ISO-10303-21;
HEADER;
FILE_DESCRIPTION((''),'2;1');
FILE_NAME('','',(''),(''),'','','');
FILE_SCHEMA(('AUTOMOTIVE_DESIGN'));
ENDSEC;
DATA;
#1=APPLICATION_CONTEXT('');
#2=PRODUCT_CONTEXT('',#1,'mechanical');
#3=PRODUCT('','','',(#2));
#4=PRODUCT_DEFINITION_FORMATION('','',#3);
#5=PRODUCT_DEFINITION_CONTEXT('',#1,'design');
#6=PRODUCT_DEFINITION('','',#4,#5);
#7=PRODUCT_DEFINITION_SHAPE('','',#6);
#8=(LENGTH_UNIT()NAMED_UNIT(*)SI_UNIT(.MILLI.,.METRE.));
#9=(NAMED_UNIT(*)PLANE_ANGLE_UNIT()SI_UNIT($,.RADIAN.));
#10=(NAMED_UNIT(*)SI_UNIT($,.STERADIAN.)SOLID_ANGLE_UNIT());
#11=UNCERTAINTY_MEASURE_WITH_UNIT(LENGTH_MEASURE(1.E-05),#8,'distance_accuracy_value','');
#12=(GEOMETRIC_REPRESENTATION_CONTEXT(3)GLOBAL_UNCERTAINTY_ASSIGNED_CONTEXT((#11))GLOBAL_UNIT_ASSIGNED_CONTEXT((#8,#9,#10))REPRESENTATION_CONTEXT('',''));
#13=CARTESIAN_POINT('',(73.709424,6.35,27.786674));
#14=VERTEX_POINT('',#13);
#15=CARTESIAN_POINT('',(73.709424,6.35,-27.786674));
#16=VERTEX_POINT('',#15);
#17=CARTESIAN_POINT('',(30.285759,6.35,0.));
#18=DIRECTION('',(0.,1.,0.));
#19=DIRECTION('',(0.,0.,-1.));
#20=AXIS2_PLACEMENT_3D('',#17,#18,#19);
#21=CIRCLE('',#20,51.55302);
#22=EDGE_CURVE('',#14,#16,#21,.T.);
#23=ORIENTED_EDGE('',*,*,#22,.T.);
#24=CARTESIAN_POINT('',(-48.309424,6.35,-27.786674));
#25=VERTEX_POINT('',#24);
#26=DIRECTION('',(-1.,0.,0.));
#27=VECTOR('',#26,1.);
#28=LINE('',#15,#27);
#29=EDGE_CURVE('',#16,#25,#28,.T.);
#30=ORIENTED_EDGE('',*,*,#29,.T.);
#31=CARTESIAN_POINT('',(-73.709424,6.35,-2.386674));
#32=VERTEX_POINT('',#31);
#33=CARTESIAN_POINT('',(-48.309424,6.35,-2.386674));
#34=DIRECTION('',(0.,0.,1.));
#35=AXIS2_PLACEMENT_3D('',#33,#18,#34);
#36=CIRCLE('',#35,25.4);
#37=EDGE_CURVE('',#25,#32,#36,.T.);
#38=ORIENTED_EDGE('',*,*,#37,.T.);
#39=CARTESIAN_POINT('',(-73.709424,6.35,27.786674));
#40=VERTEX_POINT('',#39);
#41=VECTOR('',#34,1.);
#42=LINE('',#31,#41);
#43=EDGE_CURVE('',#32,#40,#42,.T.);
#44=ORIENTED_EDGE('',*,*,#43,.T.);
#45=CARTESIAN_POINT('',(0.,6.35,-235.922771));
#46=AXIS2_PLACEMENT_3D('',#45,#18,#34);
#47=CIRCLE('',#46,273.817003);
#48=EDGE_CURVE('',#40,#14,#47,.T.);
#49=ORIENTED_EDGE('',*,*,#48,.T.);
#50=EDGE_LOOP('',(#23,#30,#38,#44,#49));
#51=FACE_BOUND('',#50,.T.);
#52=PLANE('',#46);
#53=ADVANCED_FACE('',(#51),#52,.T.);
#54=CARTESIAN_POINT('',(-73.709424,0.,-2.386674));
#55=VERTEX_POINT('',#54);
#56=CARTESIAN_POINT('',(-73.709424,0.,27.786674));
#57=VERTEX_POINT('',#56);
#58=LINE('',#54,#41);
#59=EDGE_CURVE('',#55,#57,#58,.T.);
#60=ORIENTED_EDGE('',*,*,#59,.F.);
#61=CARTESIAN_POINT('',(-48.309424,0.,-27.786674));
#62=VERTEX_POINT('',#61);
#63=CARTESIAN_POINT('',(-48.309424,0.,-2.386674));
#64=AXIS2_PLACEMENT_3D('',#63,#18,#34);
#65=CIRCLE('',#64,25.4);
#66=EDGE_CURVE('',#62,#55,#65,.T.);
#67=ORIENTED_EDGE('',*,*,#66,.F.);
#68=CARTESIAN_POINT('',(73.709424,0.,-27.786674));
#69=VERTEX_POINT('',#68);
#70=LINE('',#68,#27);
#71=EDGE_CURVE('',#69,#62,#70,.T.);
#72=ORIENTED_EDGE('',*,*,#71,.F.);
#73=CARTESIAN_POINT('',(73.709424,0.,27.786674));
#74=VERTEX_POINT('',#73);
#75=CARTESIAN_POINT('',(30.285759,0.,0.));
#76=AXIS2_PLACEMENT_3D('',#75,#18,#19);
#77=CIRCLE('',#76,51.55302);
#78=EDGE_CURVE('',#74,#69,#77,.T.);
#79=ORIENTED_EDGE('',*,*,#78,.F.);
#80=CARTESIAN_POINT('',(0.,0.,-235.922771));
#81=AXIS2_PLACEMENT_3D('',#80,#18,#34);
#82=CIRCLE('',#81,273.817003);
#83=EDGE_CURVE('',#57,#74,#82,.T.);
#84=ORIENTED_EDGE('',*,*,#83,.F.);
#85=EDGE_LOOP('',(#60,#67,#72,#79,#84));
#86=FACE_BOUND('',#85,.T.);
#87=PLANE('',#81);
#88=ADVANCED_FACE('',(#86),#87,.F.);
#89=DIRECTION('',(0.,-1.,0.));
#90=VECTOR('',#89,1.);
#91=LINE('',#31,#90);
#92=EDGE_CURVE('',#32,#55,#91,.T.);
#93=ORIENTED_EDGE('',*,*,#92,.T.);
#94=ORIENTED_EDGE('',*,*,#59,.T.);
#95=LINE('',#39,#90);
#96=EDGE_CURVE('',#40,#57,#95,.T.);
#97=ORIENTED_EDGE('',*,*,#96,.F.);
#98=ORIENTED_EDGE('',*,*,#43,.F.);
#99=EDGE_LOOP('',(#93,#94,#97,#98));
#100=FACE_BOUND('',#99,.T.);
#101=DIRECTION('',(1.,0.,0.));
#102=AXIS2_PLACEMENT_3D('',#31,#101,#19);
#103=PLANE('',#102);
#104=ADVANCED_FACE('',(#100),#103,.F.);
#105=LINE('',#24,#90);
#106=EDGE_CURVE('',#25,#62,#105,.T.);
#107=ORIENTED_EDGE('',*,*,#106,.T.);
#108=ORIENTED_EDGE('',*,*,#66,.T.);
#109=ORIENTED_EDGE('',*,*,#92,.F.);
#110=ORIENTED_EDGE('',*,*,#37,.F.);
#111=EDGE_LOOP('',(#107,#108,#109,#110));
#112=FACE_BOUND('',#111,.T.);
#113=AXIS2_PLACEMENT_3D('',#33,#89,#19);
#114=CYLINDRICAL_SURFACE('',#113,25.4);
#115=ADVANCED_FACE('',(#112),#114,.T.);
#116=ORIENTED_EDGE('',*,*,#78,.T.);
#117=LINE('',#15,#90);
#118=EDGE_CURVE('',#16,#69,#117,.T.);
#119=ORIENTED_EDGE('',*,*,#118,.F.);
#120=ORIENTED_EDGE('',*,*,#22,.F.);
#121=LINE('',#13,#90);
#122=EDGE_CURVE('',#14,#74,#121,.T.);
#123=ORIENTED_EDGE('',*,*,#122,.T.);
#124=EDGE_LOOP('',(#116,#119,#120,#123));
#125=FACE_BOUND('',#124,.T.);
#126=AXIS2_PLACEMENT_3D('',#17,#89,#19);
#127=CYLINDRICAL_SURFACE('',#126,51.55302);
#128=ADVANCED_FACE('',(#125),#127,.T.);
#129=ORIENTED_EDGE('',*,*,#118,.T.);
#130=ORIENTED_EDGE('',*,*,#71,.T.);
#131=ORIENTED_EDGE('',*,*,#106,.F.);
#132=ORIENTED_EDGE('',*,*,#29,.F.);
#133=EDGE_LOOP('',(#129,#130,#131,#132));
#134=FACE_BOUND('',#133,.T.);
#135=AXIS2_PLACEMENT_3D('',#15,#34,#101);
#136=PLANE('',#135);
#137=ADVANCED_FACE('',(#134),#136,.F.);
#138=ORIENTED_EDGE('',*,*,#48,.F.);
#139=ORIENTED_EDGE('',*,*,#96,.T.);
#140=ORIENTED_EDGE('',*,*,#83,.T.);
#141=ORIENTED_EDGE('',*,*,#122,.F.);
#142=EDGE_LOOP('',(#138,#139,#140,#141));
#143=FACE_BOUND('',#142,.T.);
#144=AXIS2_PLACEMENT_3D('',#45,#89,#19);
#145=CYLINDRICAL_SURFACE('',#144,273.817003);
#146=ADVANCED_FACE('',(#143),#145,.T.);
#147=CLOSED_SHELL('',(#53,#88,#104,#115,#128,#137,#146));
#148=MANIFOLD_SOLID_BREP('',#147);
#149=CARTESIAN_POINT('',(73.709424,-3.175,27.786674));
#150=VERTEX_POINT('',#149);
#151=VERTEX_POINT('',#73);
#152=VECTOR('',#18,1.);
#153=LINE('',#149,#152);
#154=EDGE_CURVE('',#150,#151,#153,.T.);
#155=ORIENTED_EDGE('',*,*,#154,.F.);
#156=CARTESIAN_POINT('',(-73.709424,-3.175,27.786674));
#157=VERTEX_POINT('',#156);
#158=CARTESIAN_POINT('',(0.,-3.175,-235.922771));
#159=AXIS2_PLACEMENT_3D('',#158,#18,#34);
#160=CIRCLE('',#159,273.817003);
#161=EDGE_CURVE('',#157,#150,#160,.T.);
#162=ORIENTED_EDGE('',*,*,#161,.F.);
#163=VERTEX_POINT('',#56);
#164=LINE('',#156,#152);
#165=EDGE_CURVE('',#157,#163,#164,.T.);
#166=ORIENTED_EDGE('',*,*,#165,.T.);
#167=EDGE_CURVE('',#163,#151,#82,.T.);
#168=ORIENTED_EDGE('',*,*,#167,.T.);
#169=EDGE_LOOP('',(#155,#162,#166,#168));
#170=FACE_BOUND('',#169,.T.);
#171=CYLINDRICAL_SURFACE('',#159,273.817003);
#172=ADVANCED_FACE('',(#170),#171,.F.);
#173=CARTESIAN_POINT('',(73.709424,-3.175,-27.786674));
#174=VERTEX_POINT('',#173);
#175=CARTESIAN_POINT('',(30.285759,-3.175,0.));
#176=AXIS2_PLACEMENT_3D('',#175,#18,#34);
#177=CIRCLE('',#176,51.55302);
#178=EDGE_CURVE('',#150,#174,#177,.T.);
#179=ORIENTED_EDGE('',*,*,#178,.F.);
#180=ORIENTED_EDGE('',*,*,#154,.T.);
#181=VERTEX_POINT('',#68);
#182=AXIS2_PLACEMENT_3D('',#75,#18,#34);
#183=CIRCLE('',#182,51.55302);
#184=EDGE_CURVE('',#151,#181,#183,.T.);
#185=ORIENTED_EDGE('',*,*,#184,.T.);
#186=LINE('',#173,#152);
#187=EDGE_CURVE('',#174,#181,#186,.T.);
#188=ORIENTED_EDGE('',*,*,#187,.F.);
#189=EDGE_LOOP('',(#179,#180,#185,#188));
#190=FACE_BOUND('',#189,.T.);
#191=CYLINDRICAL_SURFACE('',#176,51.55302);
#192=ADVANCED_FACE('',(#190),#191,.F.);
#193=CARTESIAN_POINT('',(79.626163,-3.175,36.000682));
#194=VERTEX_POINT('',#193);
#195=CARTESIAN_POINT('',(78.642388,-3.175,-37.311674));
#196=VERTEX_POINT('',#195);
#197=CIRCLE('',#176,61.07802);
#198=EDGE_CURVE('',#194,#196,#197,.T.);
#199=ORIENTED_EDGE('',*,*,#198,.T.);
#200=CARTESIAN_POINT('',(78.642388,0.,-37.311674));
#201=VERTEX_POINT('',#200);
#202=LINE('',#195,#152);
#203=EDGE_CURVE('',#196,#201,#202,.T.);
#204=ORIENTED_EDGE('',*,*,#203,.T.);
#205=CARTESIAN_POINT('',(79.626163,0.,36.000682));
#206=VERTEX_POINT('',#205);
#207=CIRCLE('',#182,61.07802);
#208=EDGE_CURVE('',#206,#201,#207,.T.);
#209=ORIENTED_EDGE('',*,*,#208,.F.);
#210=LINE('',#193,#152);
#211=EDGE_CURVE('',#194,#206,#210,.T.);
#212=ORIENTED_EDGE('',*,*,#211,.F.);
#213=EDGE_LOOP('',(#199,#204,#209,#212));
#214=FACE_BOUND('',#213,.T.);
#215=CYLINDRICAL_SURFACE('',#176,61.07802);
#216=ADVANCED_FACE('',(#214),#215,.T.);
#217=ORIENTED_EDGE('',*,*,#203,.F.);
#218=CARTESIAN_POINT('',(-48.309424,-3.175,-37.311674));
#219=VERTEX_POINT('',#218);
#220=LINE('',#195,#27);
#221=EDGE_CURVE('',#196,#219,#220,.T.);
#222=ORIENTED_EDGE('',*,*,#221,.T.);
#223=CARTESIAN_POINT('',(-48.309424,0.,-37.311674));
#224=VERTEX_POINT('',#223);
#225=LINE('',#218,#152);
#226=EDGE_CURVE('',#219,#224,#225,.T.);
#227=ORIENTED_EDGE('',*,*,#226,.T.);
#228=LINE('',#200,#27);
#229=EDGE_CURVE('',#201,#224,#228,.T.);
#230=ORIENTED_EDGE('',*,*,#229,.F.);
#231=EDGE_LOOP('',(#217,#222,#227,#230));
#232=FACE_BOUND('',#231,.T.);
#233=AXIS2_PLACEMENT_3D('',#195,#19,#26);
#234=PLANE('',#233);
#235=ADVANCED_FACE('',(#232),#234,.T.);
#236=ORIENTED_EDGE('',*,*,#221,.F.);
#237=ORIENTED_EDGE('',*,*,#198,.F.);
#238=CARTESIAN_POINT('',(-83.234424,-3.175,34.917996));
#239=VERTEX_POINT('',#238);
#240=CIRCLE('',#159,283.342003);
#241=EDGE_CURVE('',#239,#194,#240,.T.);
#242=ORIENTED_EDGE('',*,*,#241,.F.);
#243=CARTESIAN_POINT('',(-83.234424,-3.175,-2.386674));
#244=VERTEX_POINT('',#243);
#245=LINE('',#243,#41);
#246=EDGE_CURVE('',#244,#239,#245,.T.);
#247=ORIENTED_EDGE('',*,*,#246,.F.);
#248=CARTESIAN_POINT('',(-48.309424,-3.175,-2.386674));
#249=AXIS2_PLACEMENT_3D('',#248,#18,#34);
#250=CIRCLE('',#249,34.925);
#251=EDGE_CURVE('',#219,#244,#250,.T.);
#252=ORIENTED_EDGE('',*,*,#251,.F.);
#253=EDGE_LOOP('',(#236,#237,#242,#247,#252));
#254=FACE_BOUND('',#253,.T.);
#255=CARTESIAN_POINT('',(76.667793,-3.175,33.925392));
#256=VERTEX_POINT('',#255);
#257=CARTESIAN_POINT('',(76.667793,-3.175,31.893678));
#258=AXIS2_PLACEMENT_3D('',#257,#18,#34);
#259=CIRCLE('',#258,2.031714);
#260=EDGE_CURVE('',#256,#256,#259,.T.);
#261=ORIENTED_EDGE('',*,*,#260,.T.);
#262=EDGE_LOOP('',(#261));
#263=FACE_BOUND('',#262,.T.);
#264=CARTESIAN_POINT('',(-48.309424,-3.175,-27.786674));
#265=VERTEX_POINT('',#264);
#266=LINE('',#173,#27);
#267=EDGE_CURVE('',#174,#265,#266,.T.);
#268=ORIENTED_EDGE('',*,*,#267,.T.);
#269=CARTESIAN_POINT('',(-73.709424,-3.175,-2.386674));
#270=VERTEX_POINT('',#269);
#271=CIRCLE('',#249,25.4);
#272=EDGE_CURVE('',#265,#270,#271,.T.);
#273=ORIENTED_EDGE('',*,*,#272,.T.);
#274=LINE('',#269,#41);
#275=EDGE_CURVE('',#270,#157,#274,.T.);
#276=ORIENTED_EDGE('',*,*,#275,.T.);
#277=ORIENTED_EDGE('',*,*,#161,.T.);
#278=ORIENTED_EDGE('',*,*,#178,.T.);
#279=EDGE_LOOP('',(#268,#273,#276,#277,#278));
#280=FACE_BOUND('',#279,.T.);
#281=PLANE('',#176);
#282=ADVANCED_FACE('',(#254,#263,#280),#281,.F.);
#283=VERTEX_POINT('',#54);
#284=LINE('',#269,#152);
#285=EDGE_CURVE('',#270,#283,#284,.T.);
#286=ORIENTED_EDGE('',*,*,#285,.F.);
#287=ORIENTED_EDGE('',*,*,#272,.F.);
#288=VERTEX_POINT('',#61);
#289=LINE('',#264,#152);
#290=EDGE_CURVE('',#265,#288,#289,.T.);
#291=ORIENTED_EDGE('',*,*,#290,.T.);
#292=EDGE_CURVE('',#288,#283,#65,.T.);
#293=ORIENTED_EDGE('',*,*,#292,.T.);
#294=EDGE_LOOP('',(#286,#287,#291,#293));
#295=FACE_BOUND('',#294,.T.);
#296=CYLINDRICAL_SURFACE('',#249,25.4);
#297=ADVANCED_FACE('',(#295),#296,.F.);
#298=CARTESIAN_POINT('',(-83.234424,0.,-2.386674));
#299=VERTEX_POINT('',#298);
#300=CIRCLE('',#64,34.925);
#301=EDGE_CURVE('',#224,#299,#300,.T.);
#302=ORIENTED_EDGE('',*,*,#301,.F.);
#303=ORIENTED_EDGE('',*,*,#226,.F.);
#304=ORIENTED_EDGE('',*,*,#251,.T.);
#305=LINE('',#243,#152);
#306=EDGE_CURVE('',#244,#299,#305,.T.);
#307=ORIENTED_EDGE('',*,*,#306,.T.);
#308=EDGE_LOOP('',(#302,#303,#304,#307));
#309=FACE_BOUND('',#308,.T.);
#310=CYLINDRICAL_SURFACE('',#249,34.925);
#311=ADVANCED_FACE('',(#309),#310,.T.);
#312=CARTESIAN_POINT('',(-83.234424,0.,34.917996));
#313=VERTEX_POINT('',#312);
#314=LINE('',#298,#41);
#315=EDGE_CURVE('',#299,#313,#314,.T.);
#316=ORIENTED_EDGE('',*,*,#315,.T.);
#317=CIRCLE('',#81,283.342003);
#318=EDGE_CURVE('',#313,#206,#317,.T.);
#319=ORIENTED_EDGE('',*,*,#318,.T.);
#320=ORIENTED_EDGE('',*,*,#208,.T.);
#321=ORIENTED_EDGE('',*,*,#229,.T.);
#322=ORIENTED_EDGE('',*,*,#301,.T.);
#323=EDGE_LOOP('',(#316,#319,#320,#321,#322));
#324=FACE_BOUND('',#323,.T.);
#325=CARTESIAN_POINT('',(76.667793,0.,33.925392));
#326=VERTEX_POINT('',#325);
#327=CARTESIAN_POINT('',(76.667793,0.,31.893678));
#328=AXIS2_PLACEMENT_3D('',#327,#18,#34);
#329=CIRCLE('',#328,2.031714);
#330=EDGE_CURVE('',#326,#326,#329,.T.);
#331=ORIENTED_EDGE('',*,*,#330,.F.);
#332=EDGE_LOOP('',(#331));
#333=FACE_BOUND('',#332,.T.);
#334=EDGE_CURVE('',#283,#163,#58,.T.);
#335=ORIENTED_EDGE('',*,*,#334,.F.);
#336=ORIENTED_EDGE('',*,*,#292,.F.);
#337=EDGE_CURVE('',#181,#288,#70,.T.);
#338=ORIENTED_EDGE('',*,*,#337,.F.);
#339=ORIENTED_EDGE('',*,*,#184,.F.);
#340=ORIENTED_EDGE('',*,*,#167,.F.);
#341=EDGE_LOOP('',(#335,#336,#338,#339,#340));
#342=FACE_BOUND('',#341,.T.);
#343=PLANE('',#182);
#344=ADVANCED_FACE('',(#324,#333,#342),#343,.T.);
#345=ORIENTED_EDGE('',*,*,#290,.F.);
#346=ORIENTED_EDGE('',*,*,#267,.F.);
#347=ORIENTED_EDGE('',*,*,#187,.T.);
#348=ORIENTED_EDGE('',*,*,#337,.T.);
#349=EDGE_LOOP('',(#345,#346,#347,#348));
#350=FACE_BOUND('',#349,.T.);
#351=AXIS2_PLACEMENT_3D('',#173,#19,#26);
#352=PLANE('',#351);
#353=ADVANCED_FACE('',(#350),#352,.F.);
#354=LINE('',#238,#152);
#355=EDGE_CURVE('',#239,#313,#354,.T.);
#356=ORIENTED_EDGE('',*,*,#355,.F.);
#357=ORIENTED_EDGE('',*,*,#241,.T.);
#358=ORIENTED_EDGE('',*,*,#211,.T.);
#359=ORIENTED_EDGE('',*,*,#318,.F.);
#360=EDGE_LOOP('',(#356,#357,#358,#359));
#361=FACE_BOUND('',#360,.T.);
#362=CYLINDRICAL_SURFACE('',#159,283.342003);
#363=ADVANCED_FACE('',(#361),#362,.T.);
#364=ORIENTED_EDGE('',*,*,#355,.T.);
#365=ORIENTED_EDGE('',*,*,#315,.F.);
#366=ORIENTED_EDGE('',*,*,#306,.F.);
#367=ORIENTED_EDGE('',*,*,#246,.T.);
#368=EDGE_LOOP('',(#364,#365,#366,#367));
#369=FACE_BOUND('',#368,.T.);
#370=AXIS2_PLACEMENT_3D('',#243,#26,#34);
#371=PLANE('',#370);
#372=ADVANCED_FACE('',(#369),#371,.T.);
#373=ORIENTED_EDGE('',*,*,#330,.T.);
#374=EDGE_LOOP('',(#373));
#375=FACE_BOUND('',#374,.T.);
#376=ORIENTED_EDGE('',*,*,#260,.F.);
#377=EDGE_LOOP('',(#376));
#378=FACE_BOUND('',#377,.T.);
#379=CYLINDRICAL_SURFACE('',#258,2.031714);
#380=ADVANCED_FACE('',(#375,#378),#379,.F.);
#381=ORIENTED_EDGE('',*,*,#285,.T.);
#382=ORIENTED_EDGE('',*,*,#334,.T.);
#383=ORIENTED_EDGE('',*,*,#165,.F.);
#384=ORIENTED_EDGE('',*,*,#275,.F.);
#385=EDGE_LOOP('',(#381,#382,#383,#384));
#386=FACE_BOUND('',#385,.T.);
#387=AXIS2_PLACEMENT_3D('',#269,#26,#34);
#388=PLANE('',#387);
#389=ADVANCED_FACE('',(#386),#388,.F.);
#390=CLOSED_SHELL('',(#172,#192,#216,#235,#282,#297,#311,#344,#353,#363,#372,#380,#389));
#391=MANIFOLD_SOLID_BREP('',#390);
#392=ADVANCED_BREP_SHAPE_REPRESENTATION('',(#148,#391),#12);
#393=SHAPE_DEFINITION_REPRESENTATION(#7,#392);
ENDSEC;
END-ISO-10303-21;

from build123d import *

# Parameters (mm, degrees)
EXTRUDE1_DEPTH = 6.35
EXTRUDE2_START = -3.175
EXTRUDE2_DEPTH = 3.175
SKETCH3_R      = 2.031713538
EXTRUDE5_DEPTH = 3.175


with BuildPart() as part:
    # Sketch1 → Extrude1 (new body)
    with BuildSketch(Plane(origin=(0, 0, 0), x_dir=(1, 0, 0), z_dir=(0, 1, 0))):
        with BuildLine():
            Line((73.709423741, 27.78667426), (-48.309423741, 27.78667426))
            ThreePointArc((-48.309423741, 27.78667426), (-66.269935984, 20.347186502), (-73.709423741, 2.38667426))
            Line((-73.709423741, 2.38667426), (-73.709423741, -27.78667426))
            ThreePointArc((-73.709423741, -27.78667426), (0, -37.894231138), (73.709423741, -27.78667426))
            ThreePointArc((73.709423741, -27.78667426), (81.838779599, 0), (73.709423741, 27.78667426))
        make_face()
    extrude(amount=EXTRUDE1_DEPTH)


with BuildPart() as body_2:
    # Sketch2 → Extrude2 (new body)
    with BuildSketch(Plane(origin=(0, 0, 0), x_dir=(1, 0, 0), z_dir=(0, 1, 0)).offset(EXTRUDE2_START)):
        with BuildLine():
            Line((78.642387847, 37.31167426), (-48.309423741, 37.31167426))
            ThreePointArc((-48.309423741, 37.31167426), (-73.005128074, 27.082378593), (-83.234423741, 2.38667426))
            Line((-83.234423741, 2.38667426), (-83.234423741, -34.917995668))
            ThreePointArc((-83.234423741, -34.917995668), (-1.883597248, -47.412970192), (79.626163145, -36.000682065))
            ThreePointArc((79.626163145, -36.000682065), (91.358281231, 0.819529495), (78.642387847, 37.31167426))
        make_face()
        with BuildLine():
            Line((73.709423741, 27.78667426), (-48.309423741, 27.78667426))
            ThreePointArc((-48.309423741, 27.78667426), (-66.269935984, 20.347186502), (-73.709423741, 2.38667426))
            Line((-73.709423741, 2.38667426), (-73.709423741, -27.78667426))
            ThreePointArc((-73.709423741, -27.78667426), (0, -37.894231138), (73.709423741, -27.78667426))
            ThreePointArc((73.709423741, -27.78667426), (81.838779599, 0), (73.709423741, 27.78667426))
        make_face(mode=Mode.SUBTRACT)
    extrude(amount=EXTRUDE2_DEPTH)

    # Sketch3 → Extrude5 (cut)
    with BuildSketch(Plane(origin=(0, 0, 0), x_dir=(1, 0, 0), z_dir=(0, 1, 0))):
        with Locations(Location((76.667793443, -31.893678163, 0), (0, 0, 270))):
            Circle(SKETCH3_R)
    extrude(amount=-EXTRUDE5_DEPTH, mode=Mode.SUBTRACT)


solid = Compound([part.part, body_2.part])
